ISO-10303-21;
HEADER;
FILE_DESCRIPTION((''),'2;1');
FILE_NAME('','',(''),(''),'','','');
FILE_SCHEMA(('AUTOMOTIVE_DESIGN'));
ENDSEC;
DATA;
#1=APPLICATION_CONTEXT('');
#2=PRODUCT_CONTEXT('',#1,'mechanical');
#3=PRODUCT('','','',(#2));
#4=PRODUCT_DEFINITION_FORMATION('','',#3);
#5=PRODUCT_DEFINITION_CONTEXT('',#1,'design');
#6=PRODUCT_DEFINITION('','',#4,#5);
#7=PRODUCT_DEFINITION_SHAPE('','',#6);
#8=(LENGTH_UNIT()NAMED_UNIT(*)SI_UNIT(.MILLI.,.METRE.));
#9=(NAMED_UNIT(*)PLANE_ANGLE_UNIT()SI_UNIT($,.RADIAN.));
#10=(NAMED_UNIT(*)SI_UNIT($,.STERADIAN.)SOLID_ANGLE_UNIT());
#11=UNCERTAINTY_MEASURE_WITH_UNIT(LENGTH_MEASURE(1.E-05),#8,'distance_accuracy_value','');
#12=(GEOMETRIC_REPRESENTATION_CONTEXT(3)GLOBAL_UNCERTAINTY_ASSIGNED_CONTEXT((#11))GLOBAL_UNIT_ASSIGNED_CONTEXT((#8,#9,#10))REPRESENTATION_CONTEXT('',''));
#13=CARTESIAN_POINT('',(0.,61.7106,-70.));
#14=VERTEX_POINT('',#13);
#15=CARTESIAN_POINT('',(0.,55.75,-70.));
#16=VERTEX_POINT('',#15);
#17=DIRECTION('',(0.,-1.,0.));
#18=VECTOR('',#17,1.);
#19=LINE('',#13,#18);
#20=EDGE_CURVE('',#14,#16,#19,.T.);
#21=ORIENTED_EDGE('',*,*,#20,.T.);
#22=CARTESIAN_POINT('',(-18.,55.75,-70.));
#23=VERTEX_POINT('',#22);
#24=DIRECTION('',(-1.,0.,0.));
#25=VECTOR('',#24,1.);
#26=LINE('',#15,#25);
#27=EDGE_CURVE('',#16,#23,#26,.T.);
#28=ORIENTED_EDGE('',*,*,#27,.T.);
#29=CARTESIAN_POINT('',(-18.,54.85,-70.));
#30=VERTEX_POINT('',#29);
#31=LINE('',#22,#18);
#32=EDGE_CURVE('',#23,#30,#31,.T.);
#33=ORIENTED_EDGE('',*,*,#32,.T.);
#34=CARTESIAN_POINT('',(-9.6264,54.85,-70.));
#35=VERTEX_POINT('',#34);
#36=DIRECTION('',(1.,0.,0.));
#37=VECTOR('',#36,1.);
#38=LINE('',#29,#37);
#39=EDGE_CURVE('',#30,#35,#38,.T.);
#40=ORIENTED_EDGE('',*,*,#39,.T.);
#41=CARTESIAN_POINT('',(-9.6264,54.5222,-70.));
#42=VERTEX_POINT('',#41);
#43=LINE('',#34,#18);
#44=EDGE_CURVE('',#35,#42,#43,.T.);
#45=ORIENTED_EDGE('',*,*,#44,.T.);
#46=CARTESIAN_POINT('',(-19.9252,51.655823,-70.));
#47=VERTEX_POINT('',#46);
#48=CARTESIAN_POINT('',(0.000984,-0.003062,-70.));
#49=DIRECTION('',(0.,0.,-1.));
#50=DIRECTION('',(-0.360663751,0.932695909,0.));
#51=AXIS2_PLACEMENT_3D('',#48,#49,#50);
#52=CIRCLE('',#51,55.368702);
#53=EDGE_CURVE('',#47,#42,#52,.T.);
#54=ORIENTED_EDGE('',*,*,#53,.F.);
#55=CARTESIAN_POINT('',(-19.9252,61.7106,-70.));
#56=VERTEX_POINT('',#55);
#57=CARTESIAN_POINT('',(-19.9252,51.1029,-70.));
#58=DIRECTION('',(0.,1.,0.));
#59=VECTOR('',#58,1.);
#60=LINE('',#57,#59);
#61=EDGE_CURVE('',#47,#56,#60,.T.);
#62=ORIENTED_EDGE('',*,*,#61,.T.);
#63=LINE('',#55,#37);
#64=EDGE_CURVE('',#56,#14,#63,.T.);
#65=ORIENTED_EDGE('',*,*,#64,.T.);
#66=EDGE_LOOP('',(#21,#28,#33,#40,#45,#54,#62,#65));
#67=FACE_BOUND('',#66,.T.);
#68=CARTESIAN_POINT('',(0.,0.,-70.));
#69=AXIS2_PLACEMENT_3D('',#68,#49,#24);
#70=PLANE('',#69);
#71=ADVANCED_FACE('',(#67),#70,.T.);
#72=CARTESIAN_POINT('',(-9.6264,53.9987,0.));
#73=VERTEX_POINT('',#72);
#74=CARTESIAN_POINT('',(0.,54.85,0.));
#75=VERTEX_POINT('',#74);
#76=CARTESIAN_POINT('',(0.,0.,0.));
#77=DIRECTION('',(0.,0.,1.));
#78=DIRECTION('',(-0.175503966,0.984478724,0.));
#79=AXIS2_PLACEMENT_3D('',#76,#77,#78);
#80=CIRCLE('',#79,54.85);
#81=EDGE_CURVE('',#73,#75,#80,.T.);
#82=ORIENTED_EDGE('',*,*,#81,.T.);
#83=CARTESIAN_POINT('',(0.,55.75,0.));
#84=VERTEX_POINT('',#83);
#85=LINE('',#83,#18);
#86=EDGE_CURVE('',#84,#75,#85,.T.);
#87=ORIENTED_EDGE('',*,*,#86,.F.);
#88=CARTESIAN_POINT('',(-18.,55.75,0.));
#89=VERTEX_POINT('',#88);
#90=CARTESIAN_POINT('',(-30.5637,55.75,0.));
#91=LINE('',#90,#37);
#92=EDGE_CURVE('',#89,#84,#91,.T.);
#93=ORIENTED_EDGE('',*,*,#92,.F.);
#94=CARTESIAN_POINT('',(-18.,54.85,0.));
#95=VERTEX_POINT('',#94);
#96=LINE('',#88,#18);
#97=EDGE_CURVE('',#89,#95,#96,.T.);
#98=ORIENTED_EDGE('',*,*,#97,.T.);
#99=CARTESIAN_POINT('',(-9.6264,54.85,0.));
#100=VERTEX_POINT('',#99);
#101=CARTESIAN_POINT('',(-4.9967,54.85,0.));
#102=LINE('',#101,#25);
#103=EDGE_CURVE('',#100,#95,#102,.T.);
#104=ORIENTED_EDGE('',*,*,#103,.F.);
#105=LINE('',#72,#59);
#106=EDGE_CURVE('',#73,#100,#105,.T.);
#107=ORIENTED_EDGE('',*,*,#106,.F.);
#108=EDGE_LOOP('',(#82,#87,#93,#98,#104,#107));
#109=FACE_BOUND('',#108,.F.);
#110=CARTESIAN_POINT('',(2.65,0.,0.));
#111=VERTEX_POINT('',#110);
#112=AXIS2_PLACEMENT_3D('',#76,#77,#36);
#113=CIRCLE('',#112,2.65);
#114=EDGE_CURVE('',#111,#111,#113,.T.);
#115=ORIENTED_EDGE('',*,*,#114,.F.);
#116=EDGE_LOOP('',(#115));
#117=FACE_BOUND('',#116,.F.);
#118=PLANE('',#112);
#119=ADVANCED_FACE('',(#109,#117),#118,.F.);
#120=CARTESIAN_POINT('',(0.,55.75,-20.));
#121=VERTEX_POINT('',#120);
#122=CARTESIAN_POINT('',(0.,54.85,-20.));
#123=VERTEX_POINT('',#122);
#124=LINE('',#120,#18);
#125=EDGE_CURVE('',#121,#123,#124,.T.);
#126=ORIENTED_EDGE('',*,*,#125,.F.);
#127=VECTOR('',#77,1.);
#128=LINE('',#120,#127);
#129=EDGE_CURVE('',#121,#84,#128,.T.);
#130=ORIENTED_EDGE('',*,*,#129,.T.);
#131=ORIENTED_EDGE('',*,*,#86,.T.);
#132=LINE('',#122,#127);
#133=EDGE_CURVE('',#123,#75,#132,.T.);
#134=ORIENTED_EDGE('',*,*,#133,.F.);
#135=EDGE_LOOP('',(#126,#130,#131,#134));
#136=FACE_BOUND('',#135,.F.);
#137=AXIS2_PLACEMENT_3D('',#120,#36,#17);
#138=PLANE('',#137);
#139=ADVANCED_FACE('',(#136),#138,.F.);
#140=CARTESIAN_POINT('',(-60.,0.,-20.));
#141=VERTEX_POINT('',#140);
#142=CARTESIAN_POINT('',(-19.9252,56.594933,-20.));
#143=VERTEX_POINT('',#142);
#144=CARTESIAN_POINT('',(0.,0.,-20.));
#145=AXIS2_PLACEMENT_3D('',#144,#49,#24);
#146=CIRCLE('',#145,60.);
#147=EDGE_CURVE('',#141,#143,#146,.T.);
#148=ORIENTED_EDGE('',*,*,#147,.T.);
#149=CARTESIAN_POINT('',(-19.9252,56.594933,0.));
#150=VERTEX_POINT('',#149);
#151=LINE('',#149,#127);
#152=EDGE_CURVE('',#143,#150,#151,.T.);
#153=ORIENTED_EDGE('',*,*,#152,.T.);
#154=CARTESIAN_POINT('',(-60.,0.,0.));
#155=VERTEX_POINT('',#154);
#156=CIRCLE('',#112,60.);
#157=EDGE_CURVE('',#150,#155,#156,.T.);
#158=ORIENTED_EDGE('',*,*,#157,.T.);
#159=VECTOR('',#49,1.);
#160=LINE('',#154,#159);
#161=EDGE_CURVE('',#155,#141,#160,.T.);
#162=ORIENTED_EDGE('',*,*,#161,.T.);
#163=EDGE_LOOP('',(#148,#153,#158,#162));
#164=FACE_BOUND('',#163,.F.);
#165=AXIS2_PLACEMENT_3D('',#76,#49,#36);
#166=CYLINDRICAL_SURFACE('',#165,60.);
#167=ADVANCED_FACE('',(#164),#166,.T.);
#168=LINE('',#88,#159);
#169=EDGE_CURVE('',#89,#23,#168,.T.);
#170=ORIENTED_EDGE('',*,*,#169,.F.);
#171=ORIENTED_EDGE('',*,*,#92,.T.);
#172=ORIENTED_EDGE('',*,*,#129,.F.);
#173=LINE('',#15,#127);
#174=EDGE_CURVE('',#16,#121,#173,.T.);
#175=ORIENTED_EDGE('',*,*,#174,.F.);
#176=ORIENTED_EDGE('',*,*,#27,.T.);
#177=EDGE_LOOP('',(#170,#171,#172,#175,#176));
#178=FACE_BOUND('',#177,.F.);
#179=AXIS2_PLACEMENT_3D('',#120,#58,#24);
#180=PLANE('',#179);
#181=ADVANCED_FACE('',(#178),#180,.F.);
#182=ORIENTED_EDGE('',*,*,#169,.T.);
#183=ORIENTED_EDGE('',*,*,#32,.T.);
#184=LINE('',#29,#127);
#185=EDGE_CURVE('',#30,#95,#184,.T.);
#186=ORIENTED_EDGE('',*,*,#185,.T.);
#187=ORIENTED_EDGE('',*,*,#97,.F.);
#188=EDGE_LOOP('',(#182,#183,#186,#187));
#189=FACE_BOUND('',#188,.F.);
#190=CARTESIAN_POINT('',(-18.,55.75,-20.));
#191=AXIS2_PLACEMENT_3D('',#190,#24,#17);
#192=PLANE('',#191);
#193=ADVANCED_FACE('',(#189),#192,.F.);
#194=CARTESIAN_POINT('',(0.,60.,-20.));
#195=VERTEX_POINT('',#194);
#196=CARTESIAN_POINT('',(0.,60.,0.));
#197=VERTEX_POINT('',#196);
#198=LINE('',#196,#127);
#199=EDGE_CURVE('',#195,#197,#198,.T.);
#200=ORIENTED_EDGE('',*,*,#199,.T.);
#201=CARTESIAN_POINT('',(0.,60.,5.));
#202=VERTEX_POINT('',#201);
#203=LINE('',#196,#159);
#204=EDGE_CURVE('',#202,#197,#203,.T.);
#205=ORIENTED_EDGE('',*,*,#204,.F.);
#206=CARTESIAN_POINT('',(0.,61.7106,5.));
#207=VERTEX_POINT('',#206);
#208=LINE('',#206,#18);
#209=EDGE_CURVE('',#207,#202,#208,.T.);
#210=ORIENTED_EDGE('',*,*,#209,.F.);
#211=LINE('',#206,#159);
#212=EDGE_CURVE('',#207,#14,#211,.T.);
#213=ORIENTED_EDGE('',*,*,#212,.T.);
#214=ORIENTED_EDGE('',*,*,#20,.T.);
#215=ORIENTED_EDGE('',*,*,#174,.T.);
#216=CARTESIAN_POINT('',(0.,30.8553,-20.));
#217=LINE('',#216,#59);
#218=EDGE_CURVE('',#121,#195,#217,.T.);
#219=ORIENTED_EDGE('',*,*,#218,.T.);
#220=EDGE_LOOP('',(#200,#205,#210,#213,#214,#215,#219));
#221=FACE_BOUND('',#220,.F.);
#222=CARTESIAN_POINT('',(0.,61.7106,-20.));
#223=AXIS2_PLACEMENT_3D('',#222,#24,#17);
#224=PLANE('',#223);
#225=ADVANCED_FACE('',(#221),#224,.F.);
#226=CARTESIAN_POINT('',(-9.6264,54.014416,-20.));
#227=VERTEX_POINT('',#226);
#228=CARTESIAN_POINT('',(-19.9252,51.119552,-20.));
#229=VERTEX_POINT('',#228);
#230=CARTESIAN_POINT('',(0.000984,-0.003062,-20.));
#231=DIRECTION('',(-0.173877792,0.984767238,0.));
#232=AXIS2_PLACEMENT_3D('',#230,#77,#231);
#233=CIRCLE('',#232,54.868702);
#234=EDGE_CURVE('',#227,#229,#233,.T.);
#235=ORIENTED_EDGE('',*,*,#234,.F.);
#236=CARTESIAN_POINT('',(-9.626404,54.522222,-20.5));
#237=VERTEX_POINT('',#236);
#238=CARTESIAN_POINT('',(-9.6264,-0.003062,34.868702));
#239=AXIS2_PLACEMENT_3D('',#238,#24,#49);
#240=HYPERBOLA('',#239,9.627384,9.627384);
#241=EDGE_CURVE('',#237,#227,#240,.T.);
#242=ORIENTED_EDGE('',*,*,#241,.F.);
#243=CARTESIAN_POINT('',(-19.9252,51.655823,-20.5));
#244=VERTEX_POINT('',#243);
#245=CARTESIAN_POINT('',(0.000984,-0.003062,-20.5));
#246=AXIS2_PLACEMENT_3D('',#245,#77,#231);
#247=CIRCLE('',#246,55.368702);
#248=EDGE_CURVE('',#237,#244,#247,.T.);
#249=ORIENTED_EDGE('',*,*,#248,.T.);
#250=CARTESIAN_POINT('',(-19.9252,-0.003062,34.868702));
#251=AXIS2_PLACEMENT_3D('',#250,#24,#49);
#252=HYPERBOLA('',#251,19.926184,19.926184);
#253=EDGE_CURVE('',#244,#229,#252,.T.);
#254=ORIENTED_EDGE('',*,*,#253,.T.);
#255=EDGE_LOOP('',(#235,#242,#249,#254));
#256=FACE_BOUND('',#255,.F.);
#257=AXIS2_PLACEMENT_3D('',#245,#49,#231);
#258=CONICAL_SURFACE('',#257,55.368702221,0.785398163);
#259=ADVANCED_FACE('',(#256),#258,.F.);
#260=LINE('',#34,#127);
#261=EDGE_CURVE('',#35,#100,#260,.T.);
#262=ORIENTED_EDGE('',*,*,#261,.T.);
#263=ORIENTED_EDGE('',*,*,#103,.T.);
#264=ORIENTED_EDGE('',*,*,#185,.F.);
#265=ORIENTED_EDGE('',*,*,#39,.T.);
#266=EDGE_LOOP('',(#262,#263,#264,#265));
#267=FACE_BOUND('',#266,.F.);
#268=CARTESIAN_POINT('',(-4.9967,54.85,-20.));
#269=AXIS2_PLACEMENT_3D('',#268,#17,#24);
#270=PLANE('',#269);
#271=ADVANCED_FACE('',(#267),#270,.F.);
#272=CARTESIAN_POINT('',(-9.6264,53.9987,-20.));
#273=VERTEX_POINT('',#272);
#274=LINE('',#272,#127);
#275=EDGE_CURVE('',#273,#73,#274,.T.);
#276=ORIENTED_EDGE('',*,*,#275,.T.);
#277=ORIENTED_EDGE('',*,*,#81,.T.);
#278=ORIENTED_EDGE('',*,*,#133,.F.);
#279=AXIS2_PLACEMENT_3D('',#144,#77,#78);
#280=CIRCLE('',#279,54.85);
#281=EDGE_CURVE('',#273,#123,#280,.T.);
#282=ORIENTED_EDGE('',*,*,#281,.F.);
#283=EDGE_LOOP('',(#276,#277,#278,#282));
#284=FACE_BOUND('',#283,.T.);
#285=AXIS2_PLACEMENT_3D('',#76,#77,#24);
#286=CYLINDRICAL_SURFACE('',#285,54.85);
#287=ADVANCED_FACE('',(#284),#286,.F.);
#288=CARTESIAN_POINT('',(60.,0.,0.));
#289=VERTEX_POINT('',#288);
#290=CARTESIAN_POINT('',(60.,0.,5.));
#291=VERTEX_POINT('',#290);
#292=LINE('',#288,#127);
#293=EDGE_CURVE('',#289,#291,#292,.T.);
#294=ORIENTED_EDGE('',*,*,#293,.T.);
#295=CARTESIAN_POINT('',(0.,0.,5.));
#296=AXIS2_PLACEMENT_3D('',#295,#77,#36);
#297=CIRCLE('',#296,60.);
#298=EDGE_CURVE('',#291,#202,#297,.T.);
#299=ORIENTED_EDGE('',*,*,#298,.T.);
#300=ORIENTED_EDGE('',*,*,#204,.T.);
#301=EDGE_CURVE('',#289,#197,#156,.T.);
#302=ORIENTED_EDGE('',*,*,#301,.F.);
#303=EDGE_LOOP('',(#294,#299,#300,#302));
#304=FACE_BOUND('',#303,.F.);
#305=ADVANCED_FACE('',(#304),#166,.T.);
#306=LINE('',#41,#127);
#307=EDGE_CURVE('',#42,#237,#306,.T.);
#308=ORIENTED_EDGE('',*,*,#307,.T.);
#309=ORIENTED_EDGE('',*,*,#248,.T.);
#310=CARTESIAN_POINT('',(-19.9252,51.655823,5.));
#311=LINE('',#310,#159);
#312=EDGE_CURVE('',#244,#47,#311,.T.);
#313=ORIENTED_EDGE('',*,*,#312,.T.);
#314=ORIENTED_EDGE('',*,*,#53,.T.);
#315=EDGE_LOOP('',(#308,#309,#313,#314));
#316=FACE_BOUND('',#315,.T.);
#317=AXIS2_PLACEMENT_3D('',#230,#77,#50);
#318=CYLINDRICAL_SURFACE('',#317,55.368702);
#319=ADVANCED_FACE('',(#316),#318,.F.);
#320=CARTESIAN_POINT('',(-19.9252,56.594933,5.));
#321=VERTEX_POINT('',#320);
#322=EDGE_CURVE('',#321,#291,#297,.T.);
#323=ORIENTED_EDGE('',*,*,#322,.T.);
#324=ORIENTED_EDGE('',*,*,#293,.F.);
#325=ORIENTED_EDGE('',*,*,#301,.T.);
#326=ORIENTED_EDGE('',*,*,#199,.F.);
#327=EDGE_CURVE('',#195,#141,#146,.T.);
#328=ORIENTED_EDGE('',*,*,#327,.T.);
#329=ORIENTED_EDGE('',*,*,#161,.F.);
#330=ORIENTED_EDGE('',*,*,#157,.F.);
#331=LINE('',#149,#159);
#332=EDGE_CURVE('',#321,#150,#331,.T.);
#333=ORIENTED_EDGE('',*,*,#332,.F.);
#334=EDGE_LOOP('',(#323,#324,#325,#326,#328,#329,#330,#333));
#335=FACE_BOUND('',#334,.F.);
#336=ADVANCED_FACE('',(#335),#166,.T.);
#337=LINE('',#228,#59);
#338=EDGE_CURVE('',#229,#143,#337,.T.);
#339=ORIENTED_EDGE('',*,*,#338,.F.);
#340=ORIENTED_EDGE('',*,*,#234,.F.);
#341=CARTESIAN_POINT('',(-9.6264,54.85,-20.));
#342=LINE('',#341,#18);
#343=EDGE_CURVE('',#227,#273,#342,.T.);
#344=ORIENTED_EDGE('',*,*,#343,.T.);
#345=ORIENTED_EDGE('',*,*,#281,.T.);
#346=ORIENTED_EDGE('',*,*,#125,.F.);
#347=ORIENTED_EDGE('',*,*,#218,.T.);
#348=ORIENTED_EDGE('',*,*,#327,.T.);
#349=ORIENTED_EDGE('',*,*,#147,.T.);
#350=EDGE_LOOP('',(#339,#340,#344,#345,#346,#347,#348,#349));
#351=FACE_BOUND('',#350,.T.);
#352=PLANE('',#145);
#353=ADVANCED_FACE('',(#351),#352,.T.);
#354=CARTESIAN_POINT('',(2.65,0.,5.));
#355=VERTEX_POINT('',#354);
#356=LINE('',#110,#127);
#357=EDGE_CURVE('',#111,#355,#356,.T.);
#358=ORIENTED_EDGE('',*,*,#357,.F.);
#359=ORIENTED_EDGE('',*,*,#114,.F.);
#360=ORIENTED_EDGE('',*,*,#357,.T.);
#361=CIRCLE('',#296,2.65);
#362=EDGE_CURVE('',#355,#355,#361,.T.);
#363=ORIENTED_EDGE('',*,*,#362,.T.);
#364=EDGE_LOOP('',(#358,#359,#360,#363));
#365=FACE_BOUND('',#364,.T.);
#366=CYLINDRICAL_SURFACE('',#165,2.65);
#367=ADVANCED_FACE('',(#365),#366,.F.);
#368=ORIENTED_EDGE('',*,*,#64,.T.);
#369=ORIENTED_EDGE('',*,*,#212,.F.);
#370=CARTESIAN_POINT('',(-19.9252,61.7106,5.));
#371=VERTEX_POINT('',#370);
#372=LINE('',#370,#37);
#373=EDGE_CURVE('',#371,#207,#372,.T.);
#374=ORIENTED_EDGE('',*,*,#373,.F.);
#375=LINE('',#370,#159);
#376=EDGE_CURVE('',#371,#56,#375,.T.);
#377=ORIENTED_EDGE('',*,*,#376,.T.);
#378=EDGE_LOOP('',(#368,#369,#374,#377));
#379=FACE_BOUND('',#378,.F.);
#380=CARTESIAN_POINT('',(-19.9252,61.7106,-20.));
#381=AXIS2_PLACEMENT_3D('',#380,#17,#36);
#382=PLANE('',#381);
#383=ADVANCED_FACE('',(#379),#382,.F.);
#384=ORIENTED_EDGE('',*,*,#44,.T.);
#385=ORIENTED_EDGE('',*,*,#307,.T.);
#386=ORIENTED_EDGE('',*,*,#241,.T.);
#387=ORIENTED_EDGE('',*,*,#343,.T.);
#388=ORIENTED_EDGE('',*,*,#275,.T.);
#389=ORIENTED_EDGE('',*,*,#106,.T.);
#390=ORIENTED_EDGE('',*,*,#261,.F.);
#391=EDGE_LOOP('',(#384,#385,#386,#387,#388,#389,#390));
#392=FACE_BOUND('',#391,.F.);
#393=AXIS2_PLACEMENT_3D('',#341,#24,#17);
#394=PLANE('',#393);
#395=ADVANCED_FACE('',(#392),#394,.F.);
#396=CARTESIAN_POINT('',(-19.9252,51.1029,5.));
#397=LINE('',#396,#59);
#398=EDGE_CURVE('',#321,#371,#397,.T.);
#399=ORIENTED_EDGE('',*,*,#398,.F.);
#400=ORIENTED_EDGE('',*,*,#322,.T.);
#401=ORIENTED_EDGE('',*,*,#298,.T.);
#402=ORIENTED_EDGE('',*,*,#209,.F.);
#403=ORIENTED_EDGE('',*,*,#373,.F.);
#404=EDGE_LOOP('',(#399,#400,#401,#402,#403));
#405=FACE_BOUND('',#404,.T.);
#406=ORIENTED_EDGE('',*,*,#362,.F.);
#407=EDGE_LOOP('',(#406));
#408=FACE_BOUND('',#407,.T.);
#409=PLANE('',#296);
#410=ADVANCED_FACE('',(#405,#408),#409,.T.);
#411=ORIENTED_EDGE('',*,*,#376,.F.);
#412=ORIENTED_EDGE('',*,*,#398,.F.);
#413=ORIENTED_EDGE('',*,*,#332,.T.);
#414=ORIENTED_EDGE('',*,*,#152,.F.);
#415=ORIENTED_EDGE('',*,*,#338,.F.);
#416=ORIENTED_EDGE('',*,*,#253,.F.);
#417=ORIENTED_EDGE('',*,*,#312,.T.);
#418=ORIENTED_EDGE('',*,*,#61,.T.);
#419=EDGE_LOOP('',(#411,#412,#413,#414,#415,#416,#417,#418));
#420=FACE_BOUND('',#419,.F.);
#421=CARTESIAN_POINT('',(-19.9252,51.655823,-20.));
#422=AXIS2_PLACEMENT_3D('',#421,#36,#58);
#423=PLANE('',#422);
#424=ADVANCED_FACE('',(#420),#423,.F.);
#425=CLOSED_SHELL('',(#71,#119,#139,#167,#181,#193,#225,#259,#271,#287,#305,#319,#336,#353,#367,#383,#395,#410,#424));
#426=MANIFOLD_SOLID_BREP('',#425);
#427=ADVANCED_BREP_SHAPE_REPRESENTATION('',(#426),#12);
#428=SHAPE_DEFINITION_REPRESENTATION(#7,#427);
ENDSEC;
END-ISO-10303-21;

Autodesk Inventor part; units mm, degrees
ref_plane "YZ Plane" through (0, 0, 0) normal (1, 0, 0) x (0, 1, 0)
ref_plane "XZ Plane" through (0, 0, 0) normal (0, 1, 0) x (-1, 0, 0)
ref_plane "XY Plane" through (0, 0, 0) normal (0, 0, 1) x (1, 0, 0)
sketch "Sketch1" plane through (0, 0, 0) normal (0, 0, 1) x (1, 0, 0)
  circle A0 centre (0, 0) radius 60
  circle A1 centre (0, 0) radius 2.65
  dimension "d0" = 120
  dimension "d1" = 5.3
extrude "Extrusion1" add sketch "Sketch1" along normal blind 5
sketch "Sketch4" plane through (0, 0, 0) normal (0, 0, -1) x (-1, 0, 0)
  circle A0 centre (0, 0) radius 2.65 projected
  circle A1 centre (0, 0) radius 54.85
  circle A2 centre (0, 0) radius 60
  dimension "d13" = 109.7
  dimension "d14" = 120
extrude "Extrusion4" add sketch "Sketch4" along normal blind 20 contours A2
sketch "Sketch7" plane through (0, 0, -20) normal (0, 0, -1) x (-1, 0, 0)
  circle A0 centre (0, 0) radius 54.85 projected
  line L0 (0, 54.85) -> (30.5637, 54.85)
  line L1 (30.5637, 54.85) -> (30.5637, 55.75)
  line L2 (30.5637, 55.75) -> (0, 55.75)
  line L3 (0, 55.75) -> (0, 54.85)
  line L4 (18, 55.75) -> (18, 54.85)
  line L5 (4.9967, 54.85) -> (4.9967, 54.185)
  line L6 (4.9967, 54.185) -> (0, 54.85)
  dimension "d25" = 0.9
extrude "Extrusion7" cut sketch "Sketch7" against normal blind 20 contours L0 L5 A0 | L3 L2 L4 L0 | A0 L5 L6 picked at (2.2214, 54.6199)
sketch "Sketch8" plane through (0, 0, -20) normal (0, 0, -1) x (-1, 0, 0)
  arc A0 (0, 54.85) -> (4.9967, 54.6219) centre (0, 0) ccw projected
  line L0 (19.9252, 51.1029) -> (19.9252, 61.7106)
  line L1 (19.9252, 61.7106) -> (0, 61.7106)
  line L2 (0, 55.75) -> (18, 55.75) projected
  line L3 (0, 61.7106) -> (0, 55.75)
  line L4 (0, 55.75) -> (18, 55.75)
  line L5 (18, 55.75) -> (18, 54.85) projected
  line L6 (18, 55.75) -> (18, 54.85)
  line L7 (18, 54.85) -> (4.9967, 54.85)
  line L8 (4.9967, 54.85) -> (4.9967, 54.6219) projected
  line L9 (4.9967, 54.85) -> (4.9967, 54.6219)
  line L10 (18, 54.85) -> (4.9967, 54.85) projected
  line L11 (7.5379, 54.85) -> (7.5379, 54.3296)
  arc A1 (19.9685, 51.6391) -> (7.5379, 54.85) centre (0, 0) ccw
  line L12 (9.6264, 54.85) -> (9.6264, 54.5222)
  point P0 (19.9252, 51.6559)
extrude "Extrusion8" add sketch "Sketch8" along normal blind 50 and the other way blind 25 contours A1 L12 L7 L5 L2 L3 L1 L0
chamfer "Chamfer1" distance 0.5 angle 45 1 edges at (-14.8452, 53.3382, -20)
sketch "Sketch9" plane through (0, 0, -20) normal (0, 0, -1) x (-1, 0, 0)
  line L0 (9.6264, 54.0144) -> (9.6264, 54.85) projected
  line L1 (9.6264, 54.85) -> (4.9967, 54.85) projected
  line L2 (9.6264, 54.85) -> (4.9967, 54.85)
  line L3 (4.9967, 54.85) -> (4.9967, 54.6219) projected
  line L4 (4.9967, 54.85) -> (4.9967, 54.6219)
  line L5 (4.9967, 54.6219) -> (4.9967, 54.2488)
  line L6 (4.9967, 54.2488) -> (9.6264, 53.9987)
  arc A0 (0, 54.85) -> (4.9967, 54.6219) centre (0, 0) ccw projected
  line L7 (9.6264, 54.85) -> (9.6264, 53.9987)
extrude "Extrusion9" cut sketch "Sketch9" against normal blind 20
properties part number "Disc"
